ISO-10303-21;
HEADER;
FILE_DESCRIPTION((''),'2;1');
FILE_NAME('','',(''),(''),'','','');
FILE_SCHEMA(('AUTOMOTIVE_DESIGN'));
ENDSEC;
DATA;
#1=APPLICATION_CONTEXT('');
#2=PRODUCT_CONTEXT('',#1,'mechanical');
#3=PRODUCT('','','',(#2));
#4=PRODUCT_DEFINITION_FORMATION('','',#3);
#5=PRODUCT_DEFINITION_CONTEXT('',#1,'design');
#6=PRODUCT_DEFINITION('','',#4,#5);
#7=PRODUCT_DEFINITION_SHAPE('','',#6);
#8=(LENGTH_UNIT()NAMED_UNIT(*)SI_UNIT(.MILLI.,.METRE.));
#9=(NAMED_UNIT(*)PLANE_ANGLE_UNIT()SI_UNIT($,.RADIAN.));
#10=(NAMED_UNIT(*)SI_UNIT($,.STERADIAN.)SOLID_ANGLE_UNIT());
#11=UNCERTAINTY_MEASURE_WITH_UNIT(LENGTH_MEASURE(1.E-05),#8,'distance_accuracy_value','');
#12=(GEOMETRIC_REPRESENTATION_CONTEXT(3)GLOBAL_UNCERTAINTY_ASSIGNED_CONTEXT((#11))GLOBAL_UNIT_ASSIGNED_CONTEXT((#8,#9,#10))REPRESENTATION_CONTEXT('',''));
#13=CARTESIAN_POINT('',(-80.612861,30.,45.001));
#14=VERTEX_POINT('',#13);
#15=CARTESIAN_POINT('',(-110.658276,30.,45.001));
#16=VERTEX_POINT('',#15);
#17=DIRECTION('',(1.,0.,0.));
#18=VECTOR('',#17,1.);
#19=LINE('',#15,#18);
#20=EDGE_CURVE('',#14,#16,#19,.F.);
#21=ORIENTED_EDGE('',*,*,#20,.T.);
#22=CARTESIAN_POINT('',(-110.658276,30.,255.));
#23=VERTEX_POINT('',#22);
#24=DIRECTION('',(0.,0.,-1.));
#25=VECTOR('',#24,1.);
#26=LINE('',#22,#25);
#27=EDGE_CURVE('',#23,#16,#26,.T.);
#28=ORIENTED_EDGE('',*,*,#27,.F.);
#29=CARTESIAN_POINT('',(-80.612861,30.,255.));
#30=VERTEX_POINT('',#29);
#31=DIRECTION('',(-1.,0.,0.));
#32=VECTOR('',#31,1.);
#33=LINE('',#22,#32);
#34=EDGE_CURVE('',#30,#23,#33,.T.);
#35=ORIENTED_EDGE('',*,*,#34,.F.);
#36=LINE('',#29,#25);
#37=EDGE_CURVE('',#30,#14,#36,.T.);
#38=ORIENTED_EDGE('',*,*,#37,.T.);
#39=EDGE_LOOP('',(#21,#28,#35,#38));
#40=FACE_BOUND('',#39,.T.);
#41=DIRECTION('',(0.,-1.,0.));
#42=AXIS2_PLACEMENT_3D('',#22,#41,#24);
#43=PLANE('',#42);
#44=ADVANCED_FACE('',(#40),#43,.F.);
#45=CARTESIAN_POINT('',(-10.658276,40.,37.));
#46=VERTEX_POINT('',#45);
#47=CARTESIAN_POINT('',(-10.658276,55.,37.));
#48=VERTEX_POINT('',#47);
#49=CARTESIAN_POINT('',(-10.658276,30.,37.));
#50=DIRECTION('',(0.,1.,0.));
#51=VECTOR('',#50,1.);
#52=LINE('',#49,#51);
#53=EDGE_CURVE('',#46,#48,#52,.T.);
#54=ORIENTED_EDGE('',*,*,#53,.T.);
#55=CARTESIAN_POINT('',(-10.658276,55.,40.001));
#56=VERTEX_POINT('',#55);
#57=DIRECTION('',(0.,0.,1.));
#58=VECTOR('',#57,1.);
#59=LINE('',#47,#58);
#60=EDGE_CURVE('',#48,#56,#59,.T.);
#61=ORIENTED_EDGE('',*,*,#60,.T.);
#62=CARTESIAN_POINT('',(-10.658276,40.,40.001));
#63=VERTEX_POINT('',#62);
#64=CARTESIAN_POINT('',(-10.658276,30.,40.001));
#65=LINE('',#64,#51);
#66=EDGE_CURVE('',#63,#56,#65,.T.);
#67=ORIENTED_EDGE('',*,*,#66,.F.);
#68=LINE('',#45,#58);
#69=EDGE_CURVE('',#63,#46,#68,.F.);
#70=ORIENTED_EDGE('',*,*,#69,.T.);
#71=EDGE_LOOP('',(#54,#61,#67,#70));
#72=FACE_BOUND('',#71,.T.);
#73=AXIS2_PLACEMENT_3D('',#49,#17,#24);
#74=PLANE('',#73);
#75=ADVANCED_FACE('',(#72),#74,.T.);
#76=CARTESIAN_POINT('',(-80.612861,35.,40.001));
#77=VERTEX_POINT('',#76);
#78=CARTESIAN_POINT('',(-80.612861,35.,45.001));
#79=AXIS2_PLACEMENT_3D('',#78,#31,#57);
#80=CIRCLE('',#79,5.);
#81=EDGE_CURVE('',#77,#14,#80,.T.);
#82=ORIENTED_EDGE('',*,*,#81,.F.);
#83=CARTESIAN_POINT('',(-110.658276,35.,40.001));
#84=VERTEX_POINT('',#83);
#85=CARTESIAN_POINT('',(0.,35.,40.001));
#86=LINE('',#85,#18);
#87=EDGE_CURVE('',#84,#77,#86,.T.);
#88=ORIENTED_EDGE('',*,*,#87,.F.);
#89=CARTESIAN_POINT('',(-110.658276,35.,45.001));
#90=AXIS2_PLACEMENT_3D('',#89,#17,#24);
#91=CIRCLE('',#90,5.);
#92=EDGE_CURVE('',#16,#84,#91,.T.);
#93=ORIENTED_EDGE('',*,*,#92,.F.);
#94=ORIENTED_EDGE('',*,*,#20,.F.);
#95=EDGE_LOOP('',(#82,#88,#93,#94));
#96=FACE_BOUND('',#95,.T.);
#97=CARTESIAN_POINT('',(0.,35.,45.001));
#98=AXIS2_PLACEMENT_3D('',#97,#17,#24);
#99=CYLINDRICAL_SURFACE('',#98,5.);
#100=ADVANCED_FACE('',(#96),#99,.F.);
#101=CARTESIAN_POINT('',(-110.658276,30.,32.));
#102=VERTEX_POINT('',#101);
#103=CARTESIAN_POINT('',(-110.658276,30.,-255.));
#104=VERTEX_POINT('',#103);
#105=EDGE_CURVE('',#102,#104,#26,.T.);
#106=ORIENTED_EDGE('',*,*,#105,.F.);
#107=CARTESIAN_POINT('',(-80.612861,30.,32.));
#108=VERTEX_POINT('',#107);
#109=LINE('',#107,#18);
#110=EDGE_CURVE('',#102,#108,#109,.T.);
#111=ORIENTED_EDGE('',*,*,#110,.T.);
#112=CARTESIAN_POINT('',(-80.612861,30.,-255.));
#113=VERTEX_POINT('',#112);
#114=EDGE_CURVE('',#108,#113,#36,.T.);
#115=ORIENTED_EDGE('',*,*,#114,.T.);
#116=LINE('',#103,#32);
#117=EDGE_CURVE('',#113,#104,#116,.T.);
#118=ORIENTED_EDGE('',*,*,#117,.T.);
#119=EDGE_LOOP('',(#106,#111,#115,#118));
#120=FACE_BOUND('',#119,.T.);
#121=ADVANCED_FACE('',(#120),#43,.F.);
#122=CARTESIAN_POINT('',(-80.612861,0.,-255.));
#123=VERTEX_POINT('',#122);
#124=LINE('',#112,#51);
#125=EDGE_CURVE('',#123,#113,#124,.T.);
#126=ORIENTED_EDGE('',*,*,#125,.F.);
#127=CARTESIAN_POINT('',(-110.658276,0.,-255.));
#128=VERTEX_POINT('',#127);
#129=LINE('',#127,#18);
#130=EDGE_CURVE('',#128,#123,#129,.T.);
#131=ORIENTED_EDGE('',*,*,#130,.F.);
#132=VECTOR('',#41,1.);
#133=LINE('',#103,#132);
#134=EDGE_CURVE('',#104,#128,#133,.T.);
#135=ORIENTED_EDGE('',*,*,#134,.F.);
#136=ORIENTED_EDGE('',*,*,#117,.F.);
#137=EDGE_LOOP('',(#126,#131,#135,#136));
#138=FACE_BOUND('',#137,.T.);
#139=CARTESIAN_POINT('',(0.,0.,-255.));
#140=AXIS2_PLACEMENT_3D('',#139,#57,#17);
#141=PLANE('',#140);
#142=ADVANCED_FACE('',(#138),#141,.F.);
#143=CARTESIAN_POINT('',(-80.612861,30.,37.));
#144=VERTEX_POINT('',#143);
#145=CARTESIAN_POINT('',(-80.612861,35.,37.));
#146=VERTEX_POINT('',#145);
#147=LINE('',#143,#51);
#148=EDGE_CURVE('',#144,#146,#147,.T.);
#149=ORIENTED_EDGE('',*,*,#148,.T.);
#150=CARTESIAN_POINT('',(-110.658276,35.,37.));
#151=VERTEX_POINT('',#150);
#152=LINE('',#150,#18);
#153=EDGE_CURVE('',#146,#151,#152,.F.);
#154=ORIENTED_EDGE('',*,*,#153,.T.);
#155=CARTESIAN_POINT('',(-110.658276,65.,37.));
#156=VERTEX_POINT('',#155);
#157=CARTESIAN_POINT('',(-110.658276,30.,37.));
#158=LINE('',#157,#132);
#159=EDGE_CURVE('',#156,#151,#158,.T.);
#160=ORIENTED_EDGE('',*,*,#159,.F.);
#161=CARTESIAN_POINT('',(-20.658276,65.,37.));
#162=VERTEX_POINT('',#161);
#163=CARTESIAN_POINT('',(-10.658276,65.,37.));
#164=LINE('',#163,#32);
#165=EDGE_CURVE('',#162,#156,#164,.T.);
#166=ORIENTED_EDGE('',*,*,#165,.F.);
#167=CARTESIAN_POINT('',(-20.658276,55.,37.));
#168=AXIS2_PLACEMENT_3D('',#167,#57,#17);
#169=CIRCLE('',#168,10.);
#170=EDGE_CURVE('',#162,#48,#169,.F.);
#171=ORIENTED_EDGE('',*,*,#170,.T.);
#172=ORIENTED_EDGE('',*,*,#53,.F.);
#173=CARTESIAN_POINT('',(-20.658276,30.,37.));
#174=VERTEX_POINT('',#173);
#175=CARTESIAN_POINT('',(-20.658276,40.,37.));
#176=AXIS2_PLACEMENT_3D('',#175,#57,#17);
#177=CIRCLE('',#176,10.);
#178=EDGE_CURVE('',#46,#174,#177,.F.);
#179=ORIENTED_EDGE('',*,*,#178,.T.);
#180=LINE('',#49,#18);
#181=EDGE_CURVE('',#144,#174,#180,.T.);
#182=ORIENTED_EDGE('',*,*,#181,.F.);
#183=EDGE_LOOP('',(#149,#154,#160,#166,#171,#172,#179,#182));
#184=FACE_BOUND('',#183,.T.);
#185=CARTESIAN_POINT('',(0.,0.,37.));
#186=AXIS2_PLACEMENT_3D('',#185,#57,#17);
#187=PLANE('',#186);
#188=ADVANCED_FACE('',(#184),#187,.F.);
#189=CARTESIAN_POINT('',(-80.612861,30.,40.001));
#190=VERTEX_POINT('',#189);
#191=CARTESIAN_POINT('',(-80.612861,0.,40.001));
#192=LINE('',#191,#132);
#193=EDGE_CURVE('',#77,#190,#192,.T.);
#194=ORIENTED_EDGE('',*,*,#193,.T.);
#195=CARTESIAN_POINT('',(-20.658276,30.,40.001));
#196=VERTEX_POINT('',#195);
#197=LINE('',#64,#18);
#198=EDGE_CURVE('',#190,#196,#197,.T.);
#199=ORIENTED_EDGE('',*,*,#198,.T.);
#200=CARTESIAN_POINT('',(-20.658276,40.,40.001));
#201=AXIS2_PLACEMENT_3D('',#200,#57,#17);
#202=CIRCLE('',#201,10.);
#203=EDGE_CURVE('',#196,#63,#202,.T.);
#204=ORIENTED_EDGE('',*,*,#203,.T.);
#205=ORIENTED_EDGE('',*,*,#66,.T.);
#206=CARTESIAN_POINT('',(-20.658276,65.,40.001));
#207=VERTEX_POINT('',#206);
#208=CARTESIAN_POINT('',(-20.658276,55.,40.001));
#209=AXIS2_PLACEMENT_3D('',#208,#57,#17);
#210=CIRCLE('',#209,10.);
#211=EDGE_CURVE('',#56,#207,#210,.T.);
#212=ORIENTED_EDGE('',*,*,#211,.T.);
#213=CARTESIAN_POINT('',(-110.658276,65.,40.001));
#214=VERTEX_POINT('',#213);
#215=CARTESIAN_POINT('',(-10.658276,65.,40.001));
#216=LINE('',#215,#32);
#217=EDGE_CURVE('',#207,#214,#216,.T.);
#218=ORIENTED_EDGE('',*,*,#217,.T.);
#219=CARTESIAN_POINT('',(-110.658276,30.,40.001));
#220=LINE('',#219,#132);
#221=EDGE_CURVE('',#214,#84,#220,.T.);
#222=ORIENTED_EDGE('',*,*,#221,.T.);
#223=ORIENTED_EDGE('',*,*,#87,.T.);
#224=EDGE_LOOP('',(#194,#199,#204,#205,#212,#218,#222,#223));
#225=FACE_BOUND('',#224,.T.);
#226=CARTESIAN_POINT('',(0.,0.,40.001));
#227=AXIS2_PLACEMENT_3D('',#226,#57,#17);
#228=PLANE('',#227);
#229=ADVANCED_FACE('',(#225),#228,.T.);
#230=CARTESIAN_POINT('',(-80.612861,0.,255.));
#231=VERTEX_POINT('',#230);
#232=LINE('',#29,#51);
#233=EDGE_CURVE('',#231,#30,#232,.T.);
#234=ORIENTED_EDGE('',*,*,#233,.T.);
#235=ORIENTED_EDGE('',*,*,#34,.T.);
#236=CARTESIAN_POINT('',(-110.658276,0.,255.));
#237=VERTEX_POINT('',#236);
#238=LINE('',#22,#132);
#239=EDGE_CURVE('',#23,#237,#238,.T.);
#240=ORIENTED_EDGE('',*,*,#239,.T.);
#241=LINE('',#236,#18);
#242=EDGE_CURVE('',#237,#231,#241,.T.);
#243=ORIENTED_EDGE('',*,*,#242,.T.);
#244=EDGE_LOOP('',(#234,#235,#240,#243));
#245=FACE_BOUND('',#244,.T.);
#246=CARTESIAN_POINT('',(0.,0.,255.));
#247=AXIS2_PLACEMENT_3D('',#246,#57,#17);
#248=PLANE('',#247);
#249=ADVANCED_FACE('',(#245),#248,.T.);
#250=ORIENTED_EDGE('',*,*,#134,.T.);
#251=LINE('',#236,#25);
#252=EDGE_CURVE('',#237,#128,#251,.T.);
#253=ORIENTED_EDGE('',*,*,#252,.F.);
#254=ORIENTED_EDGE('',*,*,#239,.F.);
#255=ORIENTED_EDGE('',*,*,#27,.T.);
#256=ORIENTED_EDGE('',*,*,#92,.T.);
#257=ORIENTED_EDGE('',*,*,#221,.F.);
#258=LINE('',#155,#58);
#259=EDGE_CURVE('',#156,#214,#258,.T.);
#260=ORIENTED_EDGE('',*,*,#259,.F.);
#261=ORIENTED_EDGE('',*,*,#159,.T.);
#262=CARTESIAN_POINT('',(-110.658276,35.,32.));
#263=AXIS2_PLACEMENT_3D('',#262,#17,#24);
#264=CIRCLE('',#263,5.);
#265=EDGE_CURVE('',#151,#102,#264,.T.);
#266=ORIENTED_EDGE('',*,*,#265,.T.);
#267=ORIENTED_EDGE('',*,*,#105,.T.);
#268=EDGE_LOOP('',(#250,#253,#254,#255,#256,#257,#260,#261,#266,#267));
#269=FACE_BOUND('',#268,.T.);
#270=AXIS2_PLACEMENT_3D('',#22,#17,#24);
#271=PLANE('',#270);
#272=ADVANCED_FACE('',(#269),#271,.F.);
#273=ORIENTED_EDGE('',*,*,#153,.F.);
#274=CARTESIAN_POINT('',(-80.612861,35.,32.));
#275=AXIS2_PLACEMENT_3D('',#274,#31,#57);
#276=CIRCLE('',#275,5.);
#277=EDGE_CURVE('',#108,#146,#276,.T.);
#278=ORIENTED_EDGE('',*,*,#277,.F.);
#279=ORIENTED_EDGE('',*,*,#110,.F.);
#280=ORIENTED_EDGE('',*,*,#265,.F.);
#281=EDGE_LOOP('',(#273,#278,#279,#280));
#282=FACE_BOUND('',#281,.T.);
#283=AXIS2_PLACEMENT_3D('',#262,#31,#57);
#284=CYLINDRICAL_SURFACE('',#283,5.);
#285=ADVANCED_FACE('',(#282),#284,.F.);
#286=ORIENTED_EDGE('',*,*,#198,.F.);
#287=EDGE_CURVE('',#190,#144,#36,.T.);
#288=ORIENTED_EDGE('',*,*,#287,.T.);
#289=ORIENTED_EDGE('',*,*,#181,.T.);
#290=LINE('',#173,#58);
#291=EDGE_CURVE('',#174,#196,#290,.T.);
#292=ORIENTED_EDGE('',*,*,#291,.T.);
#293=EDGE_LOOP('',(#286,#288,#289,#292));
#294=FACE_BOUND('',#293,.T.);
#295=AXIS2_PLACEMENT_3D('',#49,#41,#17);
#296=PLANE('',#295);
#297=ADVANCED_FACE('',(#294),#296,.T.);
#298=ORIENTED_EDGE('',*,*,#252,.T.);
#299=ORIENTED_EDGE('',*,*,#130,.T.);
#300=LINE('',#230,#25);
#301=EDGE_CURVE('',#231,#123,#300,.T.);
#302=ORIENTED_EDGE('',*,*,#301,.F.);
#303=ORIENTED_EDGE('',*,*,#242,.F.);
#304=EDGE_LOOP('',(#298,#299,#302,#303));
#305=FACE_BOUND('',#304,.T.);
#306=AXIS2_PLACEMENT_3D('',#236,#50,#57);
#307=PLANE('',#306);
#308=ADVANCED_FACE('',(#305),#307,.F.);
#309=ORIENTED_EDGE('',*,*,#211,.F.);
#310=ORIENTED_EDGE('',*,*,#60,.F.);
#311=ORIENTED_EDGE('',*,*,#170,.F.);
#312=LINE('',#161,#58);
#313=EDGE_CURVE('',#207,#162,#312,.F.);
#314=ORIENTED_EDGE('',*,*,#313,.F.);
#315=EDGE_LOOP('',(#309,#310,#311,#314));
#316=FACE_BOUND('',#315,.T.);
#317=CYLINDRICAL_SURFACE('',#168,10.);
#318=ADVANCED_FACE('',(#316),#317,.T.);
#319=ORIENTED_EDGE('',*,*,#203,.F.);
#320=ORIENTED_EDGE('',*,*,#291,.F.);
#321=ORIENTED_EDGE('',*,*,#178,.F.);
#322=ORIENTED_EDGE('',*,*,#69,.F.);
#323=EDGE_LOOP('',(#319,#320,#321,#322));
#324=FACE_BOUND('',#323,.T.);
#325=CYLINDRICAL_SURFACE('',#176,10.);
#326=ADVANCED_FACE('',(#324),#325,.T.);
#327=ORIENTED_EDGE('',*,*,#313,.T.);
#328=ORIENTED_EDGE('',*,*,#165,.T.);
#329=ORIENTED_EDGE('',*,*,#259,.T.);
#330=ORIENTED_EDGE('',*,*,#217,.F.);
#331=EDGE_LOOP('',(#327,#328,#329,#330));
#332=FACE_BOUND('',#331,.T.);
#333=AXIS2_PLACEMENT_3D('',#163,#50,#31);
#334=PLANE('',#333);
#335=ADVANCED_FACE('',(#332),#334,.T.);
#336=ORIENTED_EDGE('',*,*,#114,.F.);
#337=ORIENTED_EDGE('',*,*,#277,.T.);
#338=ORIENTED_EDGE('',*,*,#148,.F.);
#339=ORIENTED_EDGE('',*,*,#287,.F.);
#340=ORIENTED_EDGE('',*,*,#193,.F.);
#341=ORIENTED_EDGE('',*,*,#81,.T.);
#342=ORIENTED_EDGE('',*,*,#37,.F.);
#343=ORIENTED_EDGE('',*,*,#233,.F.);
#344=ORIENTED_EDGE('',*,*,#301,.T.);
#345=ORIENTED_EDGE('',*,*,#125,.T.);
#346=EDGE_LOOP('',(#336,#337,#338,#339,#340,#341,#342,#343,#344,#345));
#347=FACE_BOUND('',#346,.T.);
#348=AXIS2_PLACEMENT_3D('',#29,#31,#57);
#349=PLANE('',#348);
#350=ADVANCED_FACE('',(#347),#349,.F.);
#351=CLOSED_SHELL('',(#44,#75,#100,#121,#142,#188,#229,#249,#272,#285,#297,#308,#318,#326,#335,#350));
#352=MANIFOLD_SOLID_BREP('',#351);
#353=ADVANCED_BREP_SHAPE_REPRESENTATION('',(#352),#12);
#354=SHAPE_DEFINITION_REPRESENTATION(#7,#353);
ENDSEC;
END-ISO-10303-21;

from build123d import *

# Parameters (mm, degrees)
ESBO_O2_W                     = 30.045415171
ESBO_O2_H                     = 30
RESSALTO_EXTRUS_O1_DEPTH      = 255
ESBO_O4_W                     = 100
ESBO_O4_H                     = 35
RESSALTO_EXTRUS_O2_DEPTH      = 0.001
RESSALTO_EXTRUS_O2_DEPTH_BACK = 3
FILETE1_R                     = 5
FILETE2_R                     = 10


with BuildPart() as part:
    # Esboço2 → Ressalto-extrusão1 (new body, symmetric)
    with BuildSketch(Plane.XY):
        with Locations((-95.635568537, 15)):
            Rectangle(ESBO_O2_W, ESBO_O2_H)
    extrude(amount=RESSALTO_EXTRUS_O1_DEPTH, both=True)

    # Esboço4 → Ressalto-extrusão2 (add, two sides)
    with BuildSketch(Plane.XY.offset(40)) as ressalto_extrus_o2_sk:
        with Locations((-60.658276122, 47.5)):
            Rectangle(ESBO_O4_W, ESBO_O4_H)
    extrude(amount=RESSALTO_EXTRUS_O2_DEPTH)
    extrude(ressalto_extrus_o2_sk.sketch, amount=-RESSALTO_EXTRUS_O2_DEPTH_BACK)

    # Filete1
    filete1_edges = [part.edges().sort_by_distance(p)[0] for p in [
        (-95.635568536, 30, 37),
        (-95.635568536, 30, 40.001),
    ]]
    fillet(filete1_edges, radius=FILETE1_R)

    # Filete2
    filete2_edges = [part.edges().sort_by_distance(p)[0] for p in [
        (-10.658276122, 65, 38.5005),
        (-10.658276122, 30, 38.5005),
    ]]
    fillet(filete2_edges, radius=FILETE2_R)


solid = part.part
